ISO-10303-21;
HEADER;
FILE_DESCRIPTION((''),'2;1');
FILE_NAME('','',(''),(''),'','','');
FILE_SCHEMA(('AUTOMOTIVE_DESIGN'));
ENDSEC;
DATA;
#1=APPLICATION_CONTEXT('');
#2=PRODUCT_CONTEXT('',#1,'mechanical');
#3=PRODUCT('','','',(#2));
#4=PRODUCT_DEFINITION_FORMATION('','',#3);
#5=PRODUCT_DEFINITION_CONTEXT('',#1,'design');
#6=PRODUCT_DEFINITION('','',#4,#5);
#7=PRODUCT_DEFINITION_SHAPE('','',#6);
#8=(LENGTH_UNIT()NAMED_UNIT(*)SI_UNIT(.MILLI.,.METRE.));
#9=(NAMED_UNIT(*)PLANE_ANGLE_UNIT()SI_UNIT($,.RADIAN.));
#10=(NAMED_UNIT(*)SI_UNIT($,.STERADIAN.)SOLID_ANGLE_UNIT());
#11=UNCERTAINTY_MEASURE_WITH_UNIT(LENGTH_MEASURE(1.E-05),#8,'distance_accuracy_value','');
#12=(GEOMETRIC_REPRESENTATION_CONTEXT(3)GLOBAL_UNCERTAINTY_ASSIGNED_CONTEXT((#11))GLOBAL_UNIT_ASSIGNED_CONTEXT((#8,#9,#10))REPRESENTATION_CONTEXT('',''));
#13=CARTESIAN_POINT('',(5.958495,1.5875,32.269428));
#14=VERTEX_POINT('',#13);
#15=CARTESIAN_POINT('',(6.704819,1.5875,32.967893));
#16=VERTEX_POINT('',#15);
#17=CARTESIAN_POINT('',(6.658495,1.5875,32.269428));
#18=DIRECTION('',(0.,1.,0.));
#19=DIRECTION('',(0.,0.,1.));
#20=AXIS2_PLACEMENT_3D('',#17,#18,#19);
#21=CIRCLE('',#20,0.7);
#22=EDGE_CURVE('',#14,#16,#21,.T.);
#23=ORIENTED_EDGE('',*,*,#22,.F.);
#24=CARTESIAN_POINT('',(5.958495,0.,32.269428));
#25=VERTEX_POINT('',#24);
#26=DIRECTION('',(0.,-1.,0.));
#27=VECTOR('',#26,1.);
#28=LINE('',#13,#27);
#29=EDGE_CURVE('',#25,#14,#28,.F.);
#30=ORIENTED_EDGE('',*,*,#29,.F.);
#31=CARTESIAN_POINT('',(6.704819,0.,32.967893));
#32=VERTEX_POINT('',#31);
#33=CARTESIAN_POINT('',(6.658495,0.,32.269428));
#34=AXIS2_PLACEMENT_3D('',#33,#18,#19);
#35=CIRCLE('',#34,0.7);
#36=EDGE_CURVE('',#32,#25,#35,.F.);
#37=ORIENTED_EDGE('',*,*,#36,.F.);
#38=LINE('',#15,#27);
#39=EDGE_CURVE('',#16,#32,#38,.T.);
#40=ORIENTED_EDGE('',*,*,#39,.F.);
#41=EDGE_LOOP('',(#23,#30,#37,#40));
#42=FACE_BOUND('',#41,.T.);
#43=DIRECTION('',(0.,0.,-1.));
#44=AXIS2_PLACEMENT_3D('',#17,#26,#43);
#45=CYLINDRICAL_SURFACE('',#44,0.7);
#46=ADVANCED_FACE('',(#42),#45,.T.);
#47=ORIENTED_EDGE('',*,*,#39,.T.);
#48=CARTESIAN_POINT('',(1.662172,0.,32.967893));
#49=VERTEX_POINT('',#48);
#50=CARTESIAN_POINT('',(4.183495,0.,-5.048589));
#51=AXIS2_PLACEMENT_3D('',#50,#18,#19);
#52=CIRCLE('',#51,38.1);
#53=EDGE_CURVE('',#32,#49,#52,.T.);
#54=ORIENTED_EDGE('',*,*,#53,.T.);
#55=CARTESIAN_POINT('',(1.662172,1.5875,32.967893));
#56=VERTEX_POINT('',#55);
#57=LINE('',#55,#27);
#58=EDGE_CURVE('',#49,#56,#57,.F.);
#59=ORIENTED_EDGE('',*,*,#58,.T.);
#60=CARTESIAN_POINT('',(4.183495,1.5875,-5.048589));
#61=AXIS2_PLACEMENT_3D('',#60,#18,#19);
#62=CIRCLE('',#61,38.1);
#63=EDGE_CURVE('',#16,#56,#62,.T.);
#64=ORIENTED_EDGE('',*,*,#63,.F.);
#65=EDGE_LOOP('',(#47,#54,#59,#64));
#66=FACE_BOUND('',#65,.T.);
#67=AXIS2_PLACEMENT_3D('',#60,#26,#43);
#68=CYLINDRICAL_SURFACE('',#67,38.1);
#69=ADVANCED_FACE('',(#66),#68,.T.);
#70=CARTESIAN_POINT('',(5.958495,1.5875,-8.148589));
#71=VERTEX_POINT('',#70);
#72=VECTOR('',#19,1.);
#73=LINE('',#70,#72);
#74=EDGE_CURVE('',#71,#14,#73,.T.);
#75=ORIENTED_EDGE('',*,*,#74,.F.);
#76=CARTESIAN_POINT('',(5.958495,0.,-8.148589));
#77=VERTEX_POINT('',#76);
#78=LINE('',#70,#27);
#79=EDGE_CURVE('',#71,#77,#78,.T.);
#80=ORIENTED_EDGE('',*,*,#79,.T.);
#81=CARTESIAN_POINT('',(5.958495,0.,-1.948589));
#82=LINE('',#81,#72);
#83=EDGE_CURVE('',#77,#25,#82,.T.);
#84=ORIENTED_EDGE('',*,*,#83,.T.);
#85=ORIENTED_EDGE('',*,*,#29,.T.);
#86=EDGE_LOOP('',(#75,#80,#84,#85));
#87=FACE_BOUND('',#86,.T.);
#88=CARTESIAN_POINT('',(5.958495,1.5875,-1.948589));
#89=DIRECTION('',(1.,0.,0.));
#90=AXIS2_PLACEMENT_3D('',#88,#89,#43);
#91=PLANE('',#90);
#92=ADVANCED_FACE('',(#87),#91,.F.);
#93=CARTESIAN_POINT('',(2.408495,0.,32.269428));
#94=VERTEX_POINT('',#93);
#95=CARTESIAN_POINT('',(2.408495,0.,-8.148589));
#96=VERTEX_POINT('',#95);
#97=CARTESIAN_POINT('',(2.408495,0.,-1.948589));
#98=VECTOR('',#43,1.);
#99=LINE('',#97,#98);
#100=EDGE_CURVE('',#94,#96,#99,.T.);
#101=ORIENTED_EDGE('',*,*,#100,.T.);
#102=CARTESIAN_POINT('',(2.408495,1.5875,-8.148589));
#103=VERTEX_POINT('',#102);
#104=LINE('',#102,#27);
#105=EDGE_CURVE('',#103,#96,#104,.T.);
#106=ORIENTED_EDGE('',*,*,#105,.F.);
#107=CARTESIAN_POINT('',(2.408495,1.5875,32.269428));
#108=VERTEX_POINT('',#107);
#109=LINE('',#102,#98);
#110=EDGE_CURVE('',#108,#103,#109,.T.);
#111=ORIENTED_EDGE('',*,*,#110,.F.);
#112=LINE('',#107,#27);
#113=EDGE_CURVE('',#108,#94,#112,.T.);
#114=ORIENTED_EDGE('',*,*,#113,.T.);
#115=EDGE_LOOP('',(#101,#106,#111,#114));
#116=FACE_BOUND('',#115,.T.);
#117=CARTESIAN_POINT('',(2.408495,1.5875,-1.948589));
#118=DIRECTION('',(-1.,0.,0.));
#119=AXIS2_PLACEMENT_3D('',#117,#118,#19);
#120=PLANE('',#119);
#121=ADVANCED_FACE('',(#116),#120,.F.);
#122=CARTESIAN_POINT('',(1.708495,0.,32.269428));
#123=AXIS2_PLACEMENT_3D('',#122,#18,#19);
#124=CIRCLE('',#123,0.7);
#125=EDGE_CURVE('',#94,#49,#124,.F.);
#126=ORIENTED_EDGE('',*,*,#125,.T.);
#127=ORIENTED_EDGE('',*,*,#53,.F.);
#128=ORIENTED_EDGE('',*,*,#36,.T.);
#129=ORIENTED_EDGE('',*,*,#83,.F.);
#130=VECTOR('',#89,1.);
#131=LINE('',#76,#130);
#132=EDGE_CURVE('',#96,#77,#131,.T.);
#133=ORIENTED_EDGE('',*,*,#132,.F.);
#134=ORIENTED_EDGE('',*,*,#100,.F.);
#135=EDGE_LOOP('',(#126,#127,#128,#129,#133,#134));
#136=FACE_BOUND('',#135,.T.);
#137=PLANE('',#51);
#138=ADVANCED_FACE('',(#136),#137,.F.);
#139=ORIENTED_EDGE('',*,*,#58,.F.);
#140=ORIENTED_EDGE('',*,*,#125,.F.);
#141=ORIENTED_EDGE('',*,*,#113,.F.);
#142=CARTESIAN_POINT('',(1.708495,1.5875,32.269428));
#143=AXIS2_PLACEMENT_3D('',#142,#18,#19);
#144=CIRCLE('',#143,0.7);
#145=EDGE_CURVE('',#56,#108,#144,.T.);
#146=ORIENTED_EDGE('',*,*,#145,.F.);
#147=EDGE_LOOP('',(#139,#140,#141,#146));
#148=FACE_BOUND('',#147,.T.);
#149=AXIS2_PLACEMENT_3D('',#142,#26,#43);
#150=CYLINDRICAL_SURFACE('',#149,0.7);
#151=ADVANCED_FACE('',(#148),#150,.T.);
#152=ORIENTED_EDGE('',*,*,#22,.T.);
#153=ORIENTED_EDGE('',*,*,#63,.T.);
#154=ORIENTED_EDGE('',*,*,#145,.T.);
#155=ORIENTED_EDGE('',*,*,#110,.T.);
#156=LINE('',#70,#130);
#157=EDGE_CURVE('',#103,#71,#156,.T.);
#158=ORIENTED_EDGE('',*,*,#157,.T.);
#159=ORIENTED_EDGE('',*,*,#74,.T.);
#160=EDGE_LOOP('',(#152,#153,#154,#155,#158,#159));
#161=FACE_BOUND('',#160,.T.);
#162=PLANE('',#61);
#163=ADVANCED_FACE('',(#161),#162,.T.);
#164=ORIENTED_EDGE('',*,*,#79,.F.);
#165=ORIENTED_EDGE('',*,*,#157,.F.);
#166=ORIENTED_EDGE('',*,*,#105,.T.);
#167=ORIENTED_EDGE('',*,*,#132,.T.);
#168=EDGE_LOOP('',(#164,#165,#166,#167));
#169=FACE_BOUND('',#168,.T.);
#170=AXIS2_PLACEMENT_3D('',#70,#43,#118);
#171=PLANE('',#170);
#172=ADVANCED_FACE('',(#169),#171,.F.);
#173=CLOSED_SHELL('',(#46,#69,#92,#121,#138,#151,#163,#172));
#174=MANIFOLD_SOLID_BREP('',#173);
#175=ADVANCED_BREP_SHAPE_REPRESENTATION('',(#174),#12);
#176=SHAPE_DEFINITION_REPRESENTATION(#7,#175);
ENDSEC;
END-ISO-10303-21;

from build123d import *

# Parameters (mm, degrees)
BOSS_EXTRUDE1_DEPTH = 1.5875
FILLET1_R           = 0.7


with BuildPart() as part:
    # Sketch1 → Boss-Extrude1 (new body)
    with BuildSketch(Plane(origin=(0, 0, 0), x_dir=(1, 0, 0), z_dir=(0, 1, 0))):
        with BuildLine():
            Line((2.408495171, 1.948589223), (2.408495171, -33.010041533))
            ThreePointArc((2.408495171, -33.010041533), (4.183495171, 43.148589223), (5.958495171, -33.010041533))
            Line((5.958495171, -33.010041533), (5.958495171, 1.948589223))
            Line((5.958495171, 1.948589223), (5.958495171, 8.148589223))
            Line((5.958495171, 8.148589223), (2.408495171, 8.148589223))
            Line((2.408495171, 8.148589223), (2.408495171, 1.948589223))
        make_face()
    extrude(amount=BOSS_EXTRUDE1_DEPTH)

    # Fillet1
    fillet1_edges = [part.edges().sort_by_distance(p)[0] for p in [
        (2.408495171, 0.79375, 33.010041533),
        (5.958495171, 0.79375, 33.010041533),
    ]]
    fillet(fillet1_edges, radius=FILLET1_R)


solid = part.part
